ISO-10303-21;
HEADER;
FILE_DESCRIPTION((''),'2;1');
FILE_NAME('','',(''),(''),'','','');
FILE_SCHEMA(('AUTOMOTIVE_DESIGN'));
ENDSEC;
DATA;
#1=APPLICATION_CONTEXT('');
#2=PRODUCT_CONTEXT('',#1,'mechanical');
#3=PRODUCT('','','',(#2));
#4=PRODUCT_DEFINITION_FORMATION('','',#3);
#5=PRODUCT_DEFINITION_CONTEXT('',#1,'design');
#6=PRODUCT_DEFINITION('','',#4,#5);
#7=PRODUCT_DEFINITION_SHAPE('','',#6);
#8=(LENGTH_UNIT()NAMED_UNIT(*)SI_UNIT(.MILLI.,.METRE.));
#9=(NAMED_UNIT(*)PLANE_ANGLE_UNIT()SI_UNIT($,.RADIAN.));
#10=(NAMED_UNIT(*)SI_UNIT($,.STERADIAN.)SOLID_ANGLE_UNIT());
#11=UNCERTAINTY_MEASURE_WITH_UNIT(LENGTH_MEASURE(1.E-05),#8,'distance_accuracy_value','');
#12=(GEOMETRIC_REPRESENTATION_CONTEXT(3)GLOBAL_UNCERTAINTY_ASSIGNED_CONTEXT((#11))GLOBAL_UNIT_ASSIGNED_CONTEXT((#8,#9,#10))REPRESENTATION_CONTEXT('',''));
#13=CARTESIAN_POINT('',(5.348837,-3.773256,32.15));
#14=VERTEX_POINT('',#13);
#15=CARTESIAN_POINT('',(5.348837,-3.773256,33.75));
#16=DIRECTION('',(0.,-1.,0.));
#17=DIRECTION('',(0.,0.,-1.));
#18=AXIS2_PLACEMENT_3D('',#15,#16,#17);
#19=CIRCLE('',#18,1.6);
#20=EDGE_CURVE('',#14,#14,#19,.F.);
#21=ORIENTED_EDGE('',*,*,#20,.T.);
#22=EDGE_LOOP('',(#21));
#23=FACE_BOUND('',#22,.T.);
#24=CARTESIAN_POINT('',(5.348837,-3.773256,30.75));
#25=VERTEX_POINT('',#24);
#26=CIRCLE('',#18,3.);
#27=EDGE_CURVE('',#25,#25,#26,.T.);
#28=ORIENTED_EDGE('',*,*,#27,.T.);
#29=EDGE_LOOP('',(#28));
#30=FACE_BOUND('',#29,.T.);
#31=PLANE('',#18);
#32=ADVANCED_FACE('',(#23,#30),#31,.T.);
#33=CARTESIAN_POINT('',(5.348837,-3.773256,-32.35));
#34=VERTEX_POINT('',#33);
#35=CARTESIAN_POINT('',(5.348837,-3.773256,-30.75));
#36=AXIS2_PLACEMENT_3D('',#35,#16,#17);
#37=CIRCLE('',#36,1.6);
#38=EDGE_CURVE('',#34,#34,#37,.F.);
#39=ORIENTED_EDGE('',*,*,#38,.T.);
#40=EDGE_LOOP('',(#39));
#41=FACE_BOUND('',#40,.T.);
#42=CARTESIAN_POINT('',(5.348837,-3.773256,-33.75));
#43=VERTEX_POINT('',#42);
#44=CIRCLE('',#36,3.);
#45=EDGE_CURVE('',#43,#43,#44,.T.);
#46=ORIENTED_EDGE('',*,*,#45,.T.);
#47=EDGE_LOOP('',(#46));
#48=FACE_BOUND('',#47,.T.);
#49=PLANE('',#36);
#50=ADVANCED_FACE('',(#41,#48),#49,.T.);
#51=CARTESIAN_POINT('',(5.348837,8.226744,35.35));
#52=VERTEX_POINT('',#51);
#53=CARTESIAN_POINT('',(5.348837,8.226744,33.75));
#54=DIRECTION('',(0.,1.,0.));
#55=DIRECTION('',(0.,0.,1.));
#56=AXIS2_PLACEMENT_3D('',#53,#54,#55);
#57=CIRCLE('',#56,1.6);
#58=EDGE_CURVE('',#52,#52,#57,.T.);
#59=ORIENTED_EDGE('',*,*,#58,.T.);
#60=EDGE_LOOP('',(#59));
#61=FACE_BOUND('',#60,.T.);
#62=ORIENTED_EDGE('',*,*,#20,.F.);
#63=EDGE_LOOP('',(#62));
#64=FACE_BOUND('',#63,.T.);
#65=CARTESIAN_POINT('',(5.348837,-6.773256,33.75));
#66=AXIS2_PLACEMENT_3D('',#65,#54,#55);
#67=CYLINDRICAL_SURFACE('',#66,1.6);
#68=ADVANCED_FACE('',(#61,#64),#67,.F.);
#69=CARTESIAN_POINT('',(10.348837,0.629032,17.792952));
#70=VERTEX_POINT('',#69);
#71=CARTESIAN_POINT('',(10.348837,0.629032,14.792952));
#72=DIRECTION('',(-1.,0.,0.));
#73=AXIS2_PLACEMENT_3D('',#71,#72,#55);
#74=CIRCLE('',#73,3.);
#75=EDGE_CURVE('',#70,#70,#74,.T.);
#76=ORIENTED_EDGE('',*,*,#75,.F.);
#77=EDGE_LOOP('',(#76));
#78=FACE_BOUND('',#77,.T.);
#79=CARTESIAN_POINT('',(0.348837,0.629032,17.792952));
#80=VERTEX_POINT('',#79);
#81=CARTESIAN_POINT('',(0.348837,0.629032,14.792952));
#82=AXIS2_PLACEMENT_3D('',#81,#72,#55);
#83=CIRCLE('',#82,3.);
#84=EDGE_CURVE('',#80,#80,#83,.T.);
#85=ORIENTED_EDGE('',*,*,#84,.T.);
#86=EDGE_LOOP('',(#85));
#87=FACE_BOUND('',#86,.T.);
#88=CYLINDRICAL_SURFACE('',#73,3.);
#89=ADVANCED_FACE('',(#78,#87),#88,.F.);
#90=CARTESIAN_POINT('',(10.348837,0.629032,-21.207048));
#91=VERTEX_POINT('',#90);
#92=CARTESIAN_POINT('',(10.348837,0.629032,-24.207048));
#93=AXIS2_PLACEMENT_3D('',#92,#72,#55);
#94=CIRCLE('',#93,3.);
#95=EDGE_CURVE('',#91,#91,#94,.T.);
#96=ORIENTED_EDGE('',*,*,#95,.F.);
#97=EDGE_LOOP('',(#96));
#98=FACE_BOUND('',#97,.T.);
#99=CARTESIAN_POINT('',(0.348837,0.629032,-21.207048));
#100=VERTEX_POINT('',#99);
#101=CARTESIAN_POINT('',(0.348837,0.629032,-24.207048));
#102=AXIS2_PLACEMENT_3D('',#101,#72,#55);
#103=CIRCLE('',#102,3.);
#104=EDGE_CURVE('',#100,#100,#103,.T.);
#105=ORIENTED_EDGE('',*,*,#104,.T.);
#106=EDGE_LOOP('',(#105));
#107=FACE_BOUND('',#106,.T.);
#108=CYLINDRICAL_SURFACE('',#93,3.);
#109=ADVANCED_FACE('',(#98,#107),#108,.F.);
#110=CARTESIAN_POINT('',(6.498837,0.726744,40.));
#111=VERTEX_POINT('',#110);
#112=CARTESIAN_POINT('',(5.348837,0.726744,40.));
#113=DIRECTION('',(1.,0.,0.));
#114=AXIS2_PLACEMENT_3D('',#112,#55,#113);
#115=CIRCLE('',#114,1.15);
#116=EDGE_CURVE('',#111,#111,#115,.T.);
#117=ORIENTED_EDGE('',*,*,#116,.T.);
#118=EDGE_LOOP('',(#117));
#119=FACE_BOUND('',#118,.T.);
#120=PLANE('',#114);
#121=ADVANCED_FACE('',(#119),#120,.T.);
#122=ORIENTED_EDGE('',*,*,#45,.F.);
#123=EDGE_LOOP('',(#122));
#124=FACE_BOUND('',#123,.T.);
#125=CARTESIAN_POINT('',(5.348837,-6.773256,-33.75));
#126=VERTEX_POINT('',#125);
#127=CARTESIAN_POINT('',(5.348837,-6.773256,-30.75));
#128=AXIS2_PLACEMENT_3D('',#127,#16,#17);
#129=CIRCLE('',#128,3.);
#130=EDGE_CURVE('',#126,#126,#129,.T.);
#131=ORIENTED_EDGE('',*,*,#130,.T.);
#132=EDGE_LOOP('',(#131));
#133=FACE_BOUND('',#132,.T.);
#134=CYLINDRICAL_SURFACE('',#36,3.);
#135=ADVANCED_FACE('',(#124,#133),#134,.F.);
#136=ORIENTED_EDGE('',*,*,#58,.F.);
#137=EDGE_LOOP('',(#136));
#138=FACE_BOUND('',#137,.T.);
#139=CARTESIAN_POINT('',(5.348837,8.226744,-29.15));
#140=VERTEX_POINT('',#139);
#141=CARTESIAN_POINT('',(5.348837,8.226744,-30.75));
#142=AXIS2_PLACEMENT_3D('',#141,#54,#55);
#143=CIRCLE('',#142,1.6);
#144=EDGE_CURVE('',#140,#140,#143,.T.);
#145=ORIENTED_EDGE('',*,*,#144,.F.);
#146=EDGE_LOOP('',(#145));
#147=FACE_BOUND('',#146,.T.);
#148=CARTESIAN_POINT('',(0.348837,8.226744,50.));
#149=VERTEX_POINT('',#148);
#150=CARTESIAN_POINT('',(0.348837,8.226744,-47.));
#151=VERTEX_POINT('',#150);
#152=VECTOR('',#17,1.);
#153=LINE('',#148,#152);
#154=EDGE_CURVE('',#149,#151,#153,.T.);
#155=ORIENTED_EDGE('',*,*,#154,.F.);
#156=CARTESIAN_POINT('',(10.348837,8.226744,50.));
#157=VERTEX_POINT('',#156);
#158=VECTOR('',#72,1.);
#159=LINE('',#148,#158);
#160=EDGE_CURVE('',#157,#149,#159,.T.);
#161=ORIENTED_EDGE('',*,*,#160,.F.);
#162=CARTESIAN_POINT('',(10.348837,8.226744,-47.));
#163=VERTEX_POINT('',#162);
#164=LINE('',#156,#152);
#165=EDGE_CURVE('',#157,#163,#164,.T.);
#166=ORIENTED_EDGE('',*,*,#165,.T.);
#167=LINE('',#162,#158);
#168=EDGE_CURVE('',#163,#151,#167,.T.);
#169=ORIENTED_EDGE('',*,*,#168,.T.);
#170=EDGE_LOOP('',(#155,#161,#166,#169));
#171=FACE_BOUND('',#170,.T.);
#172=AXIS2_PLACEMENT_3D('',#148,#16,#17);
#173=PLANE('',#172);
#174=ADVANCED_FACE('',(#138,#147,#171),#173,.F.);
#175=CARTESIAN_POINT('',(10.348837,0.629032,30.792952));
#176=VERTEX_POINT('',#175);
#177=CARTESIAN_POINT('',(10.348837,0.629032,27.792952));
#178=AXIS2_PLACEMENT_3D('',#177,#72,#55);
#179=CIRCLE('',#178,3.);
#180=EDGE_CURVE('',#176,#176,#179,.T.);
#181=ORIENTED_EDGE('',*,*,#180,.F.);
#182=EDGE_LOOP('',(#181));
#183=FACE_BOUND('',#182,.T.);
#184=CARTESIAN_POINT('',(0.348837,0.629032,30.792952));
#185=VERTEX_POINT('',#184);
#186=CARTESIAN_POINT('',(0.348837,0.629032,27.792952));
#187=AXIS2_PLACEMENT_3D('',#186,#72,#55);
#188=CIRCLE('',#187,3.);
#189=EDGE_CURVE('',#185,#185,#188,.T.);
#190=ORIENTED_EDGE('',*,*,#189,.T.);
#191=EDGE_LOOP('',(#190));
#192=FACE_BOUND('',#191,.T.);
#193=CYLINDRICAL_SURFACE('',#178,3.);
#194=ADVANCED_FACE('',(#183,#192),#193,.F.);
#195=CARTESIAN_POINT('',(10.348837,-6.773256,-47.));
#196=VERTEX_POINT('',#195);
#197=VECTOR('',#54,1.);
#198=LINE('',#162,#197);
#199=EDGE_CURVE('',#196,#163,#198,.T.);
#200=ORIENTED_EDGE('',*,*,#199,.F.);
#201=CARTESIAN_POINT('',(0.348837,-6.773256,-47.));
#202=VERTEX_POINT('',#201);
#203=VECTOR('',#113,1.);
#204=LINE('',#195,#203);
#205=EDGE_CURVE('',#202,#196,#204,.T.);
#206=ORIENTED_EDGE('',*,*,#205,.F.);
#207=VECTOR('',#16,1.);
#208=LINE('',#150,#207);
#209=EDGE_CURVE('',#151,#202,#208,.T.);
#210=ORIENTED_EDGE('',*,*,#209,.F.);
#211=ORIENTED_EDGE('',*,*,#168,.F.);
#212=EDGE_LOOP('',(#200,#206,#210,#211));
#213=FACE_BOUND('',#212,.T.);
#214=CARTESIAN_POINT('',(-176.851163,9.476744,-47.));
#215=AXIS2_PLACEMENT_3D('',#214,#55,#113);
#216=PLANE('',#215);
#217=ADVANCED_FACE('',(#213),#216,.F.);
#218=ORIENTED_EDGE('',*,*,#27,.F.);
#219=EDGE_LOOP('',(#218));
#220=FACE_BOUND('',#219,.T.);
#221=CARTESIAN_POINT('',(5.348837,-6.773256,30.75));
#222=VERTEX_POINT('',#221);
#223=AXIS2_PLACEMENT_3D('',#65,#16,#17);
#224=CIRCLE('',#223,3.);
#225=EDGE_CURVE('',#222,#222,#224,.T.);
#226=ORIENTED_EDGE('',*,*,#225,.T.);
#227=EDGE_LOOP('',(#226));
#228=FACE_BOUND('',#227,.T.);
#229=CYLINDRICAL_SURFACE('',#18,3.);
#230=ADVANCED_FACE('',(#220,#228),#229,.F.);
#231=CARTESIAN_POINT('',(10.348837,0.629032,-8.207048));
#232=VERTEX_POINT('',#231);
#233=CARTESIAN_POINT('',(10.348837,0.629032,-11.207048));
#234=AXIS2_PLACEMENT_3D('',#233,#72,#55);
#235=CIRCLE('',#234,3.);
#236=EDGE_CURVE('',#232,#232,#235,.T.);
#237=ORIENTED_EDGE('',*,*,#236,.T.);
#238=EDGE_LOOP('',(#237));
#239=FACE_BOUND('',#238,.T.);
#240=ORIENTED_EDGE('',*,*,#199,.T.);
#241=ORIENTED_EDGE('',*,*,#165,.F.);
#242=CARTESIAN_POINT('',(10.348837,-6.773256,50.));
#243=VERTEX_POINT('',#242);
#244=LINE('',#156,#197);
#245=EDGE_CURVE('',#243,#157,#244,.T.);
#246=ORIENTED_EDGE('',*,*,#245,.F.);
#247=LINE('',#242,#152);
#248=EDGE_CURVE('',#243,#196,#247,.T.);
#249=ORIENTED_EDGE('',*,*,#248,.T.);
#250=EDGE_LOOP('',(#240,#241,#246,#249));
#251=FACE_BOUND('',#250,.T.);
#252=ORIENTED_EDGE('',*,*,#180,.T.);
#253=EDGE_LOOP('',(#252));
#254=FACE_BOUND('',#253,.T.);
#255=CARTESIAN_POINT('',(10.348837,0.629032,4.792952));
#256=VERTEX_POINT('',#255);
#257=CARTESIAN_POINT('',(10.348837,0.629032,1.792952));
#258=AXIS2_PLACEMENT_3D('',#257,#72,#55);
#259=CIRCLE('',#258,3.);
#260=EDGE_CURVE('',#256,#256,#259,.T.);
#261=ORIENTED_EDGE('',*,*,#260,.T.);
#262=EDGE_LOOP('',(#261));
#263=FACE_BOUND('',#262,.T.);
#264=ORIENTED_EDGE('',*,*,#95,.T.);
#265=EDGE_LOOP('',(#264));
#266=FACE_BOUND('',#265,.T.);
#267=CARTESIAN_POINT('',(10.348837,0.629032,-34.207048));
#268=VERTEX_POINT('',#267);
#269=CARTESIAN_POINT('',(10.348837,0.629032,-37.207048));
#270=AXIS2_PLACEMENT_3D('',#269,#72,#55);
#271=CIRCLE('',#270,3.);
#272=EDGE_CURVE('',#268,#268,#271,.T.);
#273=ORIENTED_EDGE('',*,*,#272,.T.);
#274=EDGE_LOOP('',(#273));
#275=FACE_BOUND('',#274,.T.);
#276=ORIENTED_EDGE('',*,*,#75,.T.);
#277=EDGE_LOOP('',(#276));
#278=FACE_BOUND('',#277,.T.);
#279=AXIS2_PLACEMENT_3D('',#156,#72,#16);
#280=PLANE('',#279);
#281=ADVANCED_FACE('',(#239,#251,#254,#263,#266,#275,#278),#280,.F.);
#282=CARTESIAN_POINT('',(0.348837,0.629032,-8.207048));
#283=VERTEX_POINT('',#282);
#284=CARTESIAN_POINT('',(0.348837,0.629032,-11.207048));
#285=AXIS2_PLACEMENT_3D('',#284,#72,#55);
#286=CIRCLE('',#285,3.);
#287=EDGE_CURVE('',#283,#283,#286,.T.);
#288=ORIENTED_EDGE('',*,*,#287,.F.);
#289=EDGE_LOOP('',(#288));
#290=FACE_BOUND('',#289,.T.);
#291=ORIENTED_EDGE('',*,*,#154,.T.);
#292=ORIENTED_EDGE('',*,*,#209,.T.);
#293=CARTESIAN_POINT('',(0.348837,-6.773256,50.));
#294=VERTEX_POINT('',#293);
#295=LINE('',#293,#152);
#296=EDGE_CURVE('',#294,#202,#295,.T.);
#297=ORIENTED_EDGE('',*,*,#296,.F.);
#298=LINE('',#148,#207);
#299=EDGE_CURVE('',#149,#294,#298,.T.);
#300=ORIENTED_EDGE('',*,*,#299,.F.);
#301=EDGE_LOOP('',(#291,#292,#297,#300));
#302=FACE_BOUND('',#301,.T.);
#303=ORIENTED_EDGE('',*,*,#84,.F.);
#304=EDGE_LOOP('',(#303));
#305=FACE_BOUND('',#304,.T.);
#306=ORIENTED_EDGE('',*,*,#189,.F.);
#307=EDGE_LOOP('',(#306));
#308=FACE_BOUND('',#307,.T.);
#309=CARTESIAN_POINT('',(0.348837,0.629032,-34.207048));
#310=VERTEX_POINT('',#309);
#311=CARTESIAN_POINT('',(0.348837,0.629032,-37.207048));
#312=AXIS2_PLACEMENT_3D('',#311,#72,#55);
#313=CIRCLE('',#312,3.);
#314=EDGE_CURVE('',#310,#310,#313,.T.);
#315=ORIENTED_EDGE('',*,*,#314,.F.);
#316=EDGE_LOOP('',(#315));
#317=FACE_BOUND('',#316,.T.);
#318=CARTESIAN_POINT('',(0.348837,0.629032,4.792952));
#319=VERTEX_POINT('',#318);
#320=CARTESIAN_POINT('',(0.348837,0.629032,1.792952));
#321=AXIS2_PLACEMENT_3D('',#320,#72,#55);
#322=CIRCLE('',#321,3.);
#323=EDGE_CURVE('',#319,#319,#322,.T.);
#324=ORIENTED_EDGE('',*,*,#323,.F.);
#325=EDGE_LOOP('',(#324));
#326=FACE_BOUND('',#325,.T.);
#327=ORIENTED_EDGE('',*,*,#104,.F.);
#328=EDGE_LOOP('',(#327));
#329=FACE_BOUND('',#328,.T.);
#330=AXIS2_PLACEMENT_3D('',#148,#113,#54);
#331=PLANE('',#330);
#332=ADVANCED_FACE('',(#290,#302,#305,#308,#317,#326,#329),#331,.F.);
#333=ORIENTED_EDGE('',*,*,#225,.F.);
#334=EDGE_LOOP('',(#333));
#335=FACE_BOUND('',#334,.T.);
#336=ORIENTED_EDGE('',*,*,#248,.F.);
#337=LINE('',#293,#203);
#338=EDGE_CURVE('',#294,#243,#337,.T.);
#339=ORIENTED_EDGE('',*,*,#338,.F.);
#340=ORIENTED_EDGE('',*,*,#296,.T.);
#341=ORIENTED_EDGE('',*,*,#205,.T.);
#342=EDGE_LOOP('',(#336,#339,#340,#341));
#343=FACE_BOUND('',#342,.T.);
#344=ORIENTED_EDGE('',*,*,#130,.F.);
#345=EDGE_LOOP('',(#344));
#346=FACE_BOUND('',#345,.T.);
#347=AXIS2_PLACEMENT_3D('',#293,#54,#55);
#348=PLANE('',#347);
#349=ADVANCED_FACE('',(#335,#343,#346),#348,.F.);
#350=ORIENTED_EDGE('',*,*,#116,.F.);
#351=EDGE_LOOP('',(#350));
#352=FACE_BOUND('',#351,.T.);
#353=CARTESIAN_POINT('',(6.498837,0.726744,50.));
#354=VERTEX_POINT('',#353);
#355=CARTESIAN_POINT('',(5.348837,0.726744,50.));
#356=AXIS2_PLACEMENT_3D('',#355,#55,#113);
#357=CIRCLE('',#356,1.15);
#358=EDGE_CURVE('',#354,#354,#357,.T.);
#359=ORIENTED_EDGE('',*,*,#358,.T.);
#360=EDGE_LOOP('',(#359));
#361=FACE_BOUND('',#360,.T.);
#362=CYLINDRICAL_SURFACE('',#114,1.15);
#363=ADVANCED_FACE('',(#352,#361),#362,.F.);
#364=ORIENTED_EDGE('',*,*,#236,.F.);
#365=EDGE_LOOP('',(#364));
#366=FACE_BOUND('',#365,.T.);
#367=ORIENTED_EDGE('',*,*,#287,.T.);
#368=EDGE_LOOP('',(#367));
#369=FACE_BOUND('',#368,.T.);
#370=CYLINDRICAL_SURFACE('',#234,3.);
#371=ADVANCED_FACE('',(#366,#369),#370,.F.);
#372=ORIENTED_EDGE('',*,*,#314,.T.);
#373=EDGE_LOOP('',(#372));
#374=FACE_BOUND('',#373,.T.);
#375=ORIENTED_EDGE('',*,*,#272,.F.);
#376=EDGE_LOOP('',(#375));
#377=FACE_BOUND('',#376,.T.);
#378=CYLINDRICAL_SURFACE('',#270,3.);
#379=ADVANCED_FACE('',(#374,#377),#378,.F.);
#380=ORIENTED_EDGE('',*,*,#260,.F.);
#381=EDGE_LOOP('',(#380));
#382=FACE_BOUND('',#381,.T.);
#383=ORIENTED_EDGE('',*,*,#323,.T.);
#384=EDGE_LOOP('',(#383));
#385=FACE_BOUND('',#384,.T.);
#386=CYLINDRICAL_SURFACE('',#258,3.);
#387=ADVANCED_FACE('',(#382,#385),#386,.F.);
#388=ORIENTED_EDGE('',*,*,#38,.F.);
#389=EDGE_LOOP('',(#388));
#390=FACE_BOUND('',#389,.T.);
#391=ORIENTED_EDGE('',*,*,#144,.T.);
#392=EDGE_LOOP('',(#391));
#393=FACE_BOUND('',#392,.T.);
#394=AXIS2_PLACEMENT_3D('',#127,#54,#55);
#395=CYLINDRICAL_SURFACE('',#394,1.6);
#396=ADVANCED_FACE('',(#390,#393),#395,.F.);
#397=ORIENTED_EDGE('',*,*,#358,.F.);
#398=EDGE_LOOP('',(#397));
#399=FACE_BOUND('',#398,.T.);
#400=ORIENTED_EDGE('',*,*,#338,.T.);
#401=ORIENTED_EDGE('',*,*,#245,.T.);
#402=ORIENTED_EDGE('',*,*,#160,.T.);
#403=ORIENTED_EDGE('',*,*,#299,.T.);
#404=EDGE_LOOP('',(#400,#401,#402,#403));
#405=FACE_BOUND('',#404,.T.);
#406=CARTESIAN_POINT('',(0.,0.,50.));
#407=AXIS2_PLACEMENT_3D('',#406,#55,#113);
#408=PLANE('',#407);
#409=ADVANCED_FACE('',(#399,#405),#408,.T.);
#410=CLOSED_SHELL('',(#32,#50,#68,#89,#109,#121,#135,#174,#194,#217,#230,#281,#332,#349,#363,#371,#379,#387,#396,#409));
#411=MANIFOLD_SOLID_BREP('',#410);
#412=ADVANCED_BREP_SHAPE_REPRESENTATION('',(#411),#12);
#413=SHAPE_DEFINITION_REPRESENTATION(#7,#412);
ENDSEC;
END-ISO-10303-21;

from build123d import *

# Parameters (mm, degrees)
SZKIC1_W                        = 10
SZKIC1_H                        = 15
DODANIE_WYCI_GNI_CIE1_DEPTH     = 50
SZKIC2_W                        = 10
SZKIC2_H                        = 15
DODANIE_WYCI_GNI_CIE2_DEPTH     = 47
SZKIC3_R                        = 1.6
WYTNIJ_WYCI_GNI_CIE1_DEPTH      = 54.217463596
SZKIC4_R                        = 3
WYTNIJ_WYCI_GNI_CIE2_DEPTH      = 3
SZKIC5_R                        = 1.15
WYTNIJ_WYCI_GNI_CIE3_DEPTH      = 10
WYTNIJ_WYCI_GNI_CIE4_DEPTH      = 51.91835936
WYTNIJ_WYCI_GNI_CIE4_DEPTH_BACK = 51.91835936
SZKIC7_R                        = 3


with BuildPart() as part:
    # Szkic1 → Dodanie-wyciągnięcie1 (new body)
    with BuildSketch(Plane.XY):
        with Locations((5.348837209, 0.726744186)):
            Rectangle(SZKIC1_W, SZKIC1_H)
    extrude(amount=DODANIE_WYCI_GNI_CIE1_DEPTH)

    # Szkic2 → Dodanie-wyciągnięcie2 (add)
    with BuildSketch(Plane(origin=(0, 0, 0), x_dir=(-1, 0, 0), z_dir=(0, 0, -1))):
        with Locations((-5.348837209, 0.726744186)):
            Rectangle(SZKIC2_W, SZKIC2_H)
    extrude(amount=DODANIE_WYCI_GNI_CIE2_DEPTH)

    # Szkic3 → Wytnij-wyciągnięcie1 (cut, through all)
    with BuildSketch(Plane(origin=(0, 8.226744186, 0), x_dir=(1, 0, 0), z_dir=(0, 1, 0))):
        with Locations(Location((5.348837209, 30.75, 0), (0, 0, 270))):
            Circle(SZKIC3_R)
        with Locations(Location((5.348837209, -33.75, 0), (0, 0, 270))):
            Circle(SZKIC3_R)
    extrude(amount=-WYTNIJ_WYCI_GNI_CIE1_DEPTH, mode=Mode.SUBTRACT)

    # Szkic4 → Wytnij-wyciągnięcie2 (cut)
    with BuildSketch(Plane.XZ.offset(6.773255814)):
        with Locations(Location((5.348837209, -30.75, 0), (0, 0, 270))):
            Circle(SZKIC4_R)
        with Locations(Location((5.348837209, 33.75, 0), (0, 0, 270))):
            Circle(SZKIC4_R)
    extrude(amount=-WYTNIJ_WYCI_GNI_CIE2_DEPTH, mode=Mode.SUBTRACT)

    # Szkic5 → Wytnij-wyciągnięcie3 (cut)
    with BuildSketch(Plane.XY.offset(50)):
        with Locations((5.348837209, 0.726744186)):
            Circle(SZKIC5_R)
    extrude(amount=-WYTNIJ_WYCI_GNI_CIE3_DEPTH, mode=Mode.SUBTRACT)

    # Szkic7 → Wytnij-wyciągnięcie4 (cut, two sides: drawn at the far end of the back side and taken through both)
    with BuildSketch(Plane.ZY.offset(-5.348837209).offset(-WYTNIJ_WYCI_GNI_CIE4_DEPTH_BACK)):
        with Locations((27.792952472, 0.629031613)):
            Circle(SZKIC7_R)
        with Locations((14.792952472, 0.629031613)):
            Circle(SZKIC7_R)
        with Locations((1.792952472, 0.629031613)):
            Circle(SZKIC7_R)
        with Locations((-11.207047528, 0.629031613)):
            Circle(SZKIC7_R)
        with Locations((-24.207047528, 0.629031613)):
            Circle(SZKIC7_R)
        with Locations((-37.207047528, 0.629031613)):
            Circle(SZKIC7_R)
    extrude(amount=WYTNIJ_WYCI_GNI_CIE4_DEPTH + WYTNIJ_WYCI_GNI_CIE4_DEPTH_BACK, mode=Mode.SUBTRACT)


solid = part.part
